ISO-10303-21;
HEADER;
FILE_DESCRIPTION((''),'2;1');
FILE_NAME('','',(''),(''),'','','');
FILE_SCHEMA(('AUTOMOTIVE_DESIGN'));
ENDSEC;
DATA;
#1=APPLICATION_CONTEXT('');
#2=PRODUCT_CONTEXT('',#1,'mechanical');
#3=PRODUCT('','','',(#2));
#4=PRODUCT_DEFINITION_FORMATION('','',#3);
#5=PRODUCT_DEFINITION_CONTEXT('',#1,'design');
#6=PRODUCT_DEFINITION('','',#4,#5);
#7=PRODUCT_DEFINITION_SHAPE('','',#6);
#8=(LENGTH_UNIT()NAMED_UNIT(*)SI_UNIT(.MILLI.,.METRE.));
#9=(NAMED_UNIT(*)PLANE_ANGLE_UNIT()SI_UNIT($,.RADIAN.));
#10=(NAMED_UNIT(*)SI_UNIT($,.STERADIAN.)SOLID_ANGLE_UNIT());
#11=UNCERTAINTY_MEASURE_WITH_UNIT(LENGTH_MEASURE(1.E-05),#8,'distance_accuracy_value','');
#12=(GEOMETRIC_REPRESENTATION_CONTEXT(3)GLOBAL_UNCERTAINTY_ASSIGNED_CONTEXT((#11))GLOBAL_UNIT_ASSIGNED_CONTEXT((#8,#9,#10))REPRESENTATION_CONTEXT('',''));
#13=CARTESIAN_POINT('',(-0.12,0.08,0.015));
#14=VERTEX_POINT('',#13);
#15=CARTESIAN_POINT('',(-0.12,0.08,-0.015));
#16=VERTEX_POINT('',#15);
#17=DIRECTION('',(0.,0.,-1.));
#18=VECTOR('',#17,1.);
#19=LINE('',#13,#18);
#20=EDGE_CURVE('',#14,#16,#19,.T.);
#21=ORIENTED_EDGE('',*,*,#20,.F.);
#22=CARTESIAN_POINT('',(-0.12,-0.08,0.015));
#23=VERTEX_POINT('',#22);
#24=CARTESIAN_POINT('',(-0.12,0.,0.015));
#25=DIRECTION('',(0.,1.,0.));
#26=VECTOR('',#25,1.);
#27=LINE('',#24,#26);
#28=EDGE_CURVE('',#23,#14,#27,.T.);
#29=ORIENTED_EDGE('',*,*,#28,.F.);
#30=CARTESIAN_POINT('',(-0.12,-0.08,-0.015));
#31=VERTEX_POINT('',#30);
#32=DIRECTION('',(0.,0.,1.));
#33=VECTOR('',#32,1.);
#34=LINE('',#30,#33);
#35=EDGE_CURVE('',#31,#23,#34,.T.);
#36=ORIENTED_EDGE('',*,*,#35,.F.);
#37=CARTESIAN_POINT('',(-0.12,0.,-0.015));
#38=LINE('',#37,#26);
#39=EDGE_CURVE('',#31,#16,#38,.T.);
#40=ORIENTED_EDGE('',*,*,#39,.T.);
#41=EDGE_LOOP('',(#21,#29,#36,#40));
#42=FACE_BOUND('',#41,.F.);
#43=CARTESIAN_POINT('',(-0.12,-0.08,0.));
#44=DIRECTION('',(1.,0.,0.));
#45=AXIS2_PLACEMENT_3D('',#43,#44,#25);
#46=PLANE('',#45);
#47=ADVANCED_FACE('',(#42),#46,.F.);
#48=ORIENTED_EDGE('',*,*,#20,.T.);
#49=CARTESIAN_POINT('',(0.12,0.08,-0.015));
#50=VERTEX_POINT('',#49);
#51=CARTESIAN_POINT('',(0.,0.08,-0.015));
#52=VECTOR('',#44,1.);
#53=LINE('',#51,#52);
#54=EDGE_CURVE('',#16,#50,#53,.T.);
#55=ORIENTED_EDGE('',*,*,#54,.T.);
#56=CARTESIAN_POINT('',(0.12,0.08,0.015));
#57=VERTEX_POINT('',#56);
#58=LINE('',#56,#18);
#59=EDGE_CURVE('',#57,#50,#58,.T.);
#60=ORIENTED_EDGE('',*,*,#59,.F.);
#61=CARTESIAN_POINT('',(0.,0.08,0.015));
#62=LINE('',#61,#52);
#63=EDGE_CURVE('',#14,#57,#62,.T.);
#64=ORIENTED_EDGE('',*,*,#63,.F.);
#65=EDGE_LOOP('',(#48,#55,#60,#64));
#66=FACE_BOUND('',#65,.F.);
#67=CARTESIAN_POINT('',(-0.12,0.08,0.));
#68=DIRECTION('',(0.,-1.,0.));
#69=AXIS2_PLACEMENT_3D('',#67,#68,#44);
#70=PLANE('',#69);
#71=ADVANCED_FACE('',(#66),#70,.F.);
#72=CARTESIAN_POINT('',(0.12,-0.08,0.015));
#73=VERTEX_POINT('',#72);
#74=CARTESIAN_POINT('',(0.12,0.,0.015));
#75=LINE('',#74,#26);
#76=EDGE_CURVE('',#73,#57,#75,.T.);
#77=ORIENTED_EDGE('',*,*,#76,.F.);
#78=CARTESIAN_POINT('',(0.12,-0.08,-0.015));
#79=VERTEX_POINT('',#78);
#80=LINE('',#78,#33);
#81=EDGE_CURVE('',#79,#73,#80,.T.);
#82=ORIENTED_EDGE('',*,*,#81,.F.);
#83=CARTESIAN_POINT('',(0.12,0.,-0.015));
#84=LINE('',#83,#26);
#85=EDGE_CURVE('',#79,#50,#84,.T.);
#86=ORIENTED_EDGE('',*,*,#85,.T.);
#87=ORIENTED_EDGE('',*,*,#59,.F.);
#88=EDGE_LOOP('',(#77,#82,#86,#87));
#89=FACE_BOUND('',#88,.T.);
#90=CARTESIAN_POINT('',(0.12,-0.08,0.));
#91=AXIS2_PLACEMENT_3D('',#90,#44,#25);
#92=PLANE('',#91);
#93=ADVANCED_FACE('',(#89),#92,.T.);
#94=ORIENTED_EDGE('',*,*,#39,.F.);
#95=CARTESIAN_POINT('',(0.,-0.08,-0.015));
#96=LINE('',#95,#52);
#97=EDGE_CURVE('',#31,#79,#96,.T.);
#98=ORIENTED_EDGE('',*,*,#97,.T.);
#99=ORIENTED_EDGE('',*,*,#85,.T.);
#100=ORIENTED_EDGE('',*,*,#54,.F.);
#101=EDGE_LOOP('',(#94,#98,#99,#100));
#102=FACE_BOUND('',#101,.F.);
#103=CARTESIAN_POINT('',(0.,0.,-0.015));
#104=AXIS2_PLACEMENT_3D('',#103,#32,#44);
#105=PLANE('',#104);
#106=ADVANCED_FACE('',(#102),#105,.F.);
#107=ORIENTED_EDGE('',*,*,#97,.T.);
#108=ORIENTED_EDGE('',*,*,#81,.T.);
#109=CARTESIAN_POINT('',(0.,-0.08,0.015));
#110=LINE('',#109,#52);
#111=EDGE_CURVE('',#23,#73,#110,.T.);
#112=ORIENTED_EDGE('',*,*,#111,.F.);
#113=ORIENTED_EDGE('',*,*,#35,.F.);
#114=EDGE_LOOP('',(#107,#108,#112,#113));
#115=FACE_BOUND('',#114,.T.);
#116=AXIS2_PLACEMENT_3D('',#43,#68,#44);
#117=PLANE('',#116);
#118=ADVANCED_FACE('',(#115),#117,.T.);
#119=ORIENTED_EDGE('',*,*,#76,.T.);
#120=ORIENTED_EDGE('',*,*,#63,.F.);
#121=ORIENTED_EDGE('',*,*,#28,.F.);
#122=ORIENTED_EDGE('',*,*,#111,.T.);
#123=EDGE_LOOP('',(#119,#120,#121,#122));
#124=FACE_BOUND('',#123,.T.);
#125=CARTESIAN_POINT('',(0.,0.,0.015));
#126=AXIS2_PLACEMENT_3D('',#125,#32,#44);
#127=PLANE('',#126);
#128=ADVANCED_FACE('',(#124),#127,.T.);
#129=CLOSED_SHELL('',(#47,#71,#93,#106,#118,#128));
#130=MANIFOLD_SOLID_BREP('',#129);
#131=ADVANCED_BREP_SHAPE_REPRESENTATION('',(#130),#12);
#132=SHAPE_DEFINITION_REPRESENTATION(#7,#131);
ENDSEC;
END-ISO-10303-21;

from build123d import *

# Parameters (mm, degrees)
SKETCH_W  = 0.24
SKETCH_H  = 0.16
PAD_DEPTH = 0.015


with BuildPart() as part:
    # Sketch → Pad (new body, symmetric)
    with BuildSketch(Plane.XY):
        Rectangle(SKETCH_W, SKETCH_H)
    extrude(amount=PAD_DEPTH, both=True)


solid = part.part
